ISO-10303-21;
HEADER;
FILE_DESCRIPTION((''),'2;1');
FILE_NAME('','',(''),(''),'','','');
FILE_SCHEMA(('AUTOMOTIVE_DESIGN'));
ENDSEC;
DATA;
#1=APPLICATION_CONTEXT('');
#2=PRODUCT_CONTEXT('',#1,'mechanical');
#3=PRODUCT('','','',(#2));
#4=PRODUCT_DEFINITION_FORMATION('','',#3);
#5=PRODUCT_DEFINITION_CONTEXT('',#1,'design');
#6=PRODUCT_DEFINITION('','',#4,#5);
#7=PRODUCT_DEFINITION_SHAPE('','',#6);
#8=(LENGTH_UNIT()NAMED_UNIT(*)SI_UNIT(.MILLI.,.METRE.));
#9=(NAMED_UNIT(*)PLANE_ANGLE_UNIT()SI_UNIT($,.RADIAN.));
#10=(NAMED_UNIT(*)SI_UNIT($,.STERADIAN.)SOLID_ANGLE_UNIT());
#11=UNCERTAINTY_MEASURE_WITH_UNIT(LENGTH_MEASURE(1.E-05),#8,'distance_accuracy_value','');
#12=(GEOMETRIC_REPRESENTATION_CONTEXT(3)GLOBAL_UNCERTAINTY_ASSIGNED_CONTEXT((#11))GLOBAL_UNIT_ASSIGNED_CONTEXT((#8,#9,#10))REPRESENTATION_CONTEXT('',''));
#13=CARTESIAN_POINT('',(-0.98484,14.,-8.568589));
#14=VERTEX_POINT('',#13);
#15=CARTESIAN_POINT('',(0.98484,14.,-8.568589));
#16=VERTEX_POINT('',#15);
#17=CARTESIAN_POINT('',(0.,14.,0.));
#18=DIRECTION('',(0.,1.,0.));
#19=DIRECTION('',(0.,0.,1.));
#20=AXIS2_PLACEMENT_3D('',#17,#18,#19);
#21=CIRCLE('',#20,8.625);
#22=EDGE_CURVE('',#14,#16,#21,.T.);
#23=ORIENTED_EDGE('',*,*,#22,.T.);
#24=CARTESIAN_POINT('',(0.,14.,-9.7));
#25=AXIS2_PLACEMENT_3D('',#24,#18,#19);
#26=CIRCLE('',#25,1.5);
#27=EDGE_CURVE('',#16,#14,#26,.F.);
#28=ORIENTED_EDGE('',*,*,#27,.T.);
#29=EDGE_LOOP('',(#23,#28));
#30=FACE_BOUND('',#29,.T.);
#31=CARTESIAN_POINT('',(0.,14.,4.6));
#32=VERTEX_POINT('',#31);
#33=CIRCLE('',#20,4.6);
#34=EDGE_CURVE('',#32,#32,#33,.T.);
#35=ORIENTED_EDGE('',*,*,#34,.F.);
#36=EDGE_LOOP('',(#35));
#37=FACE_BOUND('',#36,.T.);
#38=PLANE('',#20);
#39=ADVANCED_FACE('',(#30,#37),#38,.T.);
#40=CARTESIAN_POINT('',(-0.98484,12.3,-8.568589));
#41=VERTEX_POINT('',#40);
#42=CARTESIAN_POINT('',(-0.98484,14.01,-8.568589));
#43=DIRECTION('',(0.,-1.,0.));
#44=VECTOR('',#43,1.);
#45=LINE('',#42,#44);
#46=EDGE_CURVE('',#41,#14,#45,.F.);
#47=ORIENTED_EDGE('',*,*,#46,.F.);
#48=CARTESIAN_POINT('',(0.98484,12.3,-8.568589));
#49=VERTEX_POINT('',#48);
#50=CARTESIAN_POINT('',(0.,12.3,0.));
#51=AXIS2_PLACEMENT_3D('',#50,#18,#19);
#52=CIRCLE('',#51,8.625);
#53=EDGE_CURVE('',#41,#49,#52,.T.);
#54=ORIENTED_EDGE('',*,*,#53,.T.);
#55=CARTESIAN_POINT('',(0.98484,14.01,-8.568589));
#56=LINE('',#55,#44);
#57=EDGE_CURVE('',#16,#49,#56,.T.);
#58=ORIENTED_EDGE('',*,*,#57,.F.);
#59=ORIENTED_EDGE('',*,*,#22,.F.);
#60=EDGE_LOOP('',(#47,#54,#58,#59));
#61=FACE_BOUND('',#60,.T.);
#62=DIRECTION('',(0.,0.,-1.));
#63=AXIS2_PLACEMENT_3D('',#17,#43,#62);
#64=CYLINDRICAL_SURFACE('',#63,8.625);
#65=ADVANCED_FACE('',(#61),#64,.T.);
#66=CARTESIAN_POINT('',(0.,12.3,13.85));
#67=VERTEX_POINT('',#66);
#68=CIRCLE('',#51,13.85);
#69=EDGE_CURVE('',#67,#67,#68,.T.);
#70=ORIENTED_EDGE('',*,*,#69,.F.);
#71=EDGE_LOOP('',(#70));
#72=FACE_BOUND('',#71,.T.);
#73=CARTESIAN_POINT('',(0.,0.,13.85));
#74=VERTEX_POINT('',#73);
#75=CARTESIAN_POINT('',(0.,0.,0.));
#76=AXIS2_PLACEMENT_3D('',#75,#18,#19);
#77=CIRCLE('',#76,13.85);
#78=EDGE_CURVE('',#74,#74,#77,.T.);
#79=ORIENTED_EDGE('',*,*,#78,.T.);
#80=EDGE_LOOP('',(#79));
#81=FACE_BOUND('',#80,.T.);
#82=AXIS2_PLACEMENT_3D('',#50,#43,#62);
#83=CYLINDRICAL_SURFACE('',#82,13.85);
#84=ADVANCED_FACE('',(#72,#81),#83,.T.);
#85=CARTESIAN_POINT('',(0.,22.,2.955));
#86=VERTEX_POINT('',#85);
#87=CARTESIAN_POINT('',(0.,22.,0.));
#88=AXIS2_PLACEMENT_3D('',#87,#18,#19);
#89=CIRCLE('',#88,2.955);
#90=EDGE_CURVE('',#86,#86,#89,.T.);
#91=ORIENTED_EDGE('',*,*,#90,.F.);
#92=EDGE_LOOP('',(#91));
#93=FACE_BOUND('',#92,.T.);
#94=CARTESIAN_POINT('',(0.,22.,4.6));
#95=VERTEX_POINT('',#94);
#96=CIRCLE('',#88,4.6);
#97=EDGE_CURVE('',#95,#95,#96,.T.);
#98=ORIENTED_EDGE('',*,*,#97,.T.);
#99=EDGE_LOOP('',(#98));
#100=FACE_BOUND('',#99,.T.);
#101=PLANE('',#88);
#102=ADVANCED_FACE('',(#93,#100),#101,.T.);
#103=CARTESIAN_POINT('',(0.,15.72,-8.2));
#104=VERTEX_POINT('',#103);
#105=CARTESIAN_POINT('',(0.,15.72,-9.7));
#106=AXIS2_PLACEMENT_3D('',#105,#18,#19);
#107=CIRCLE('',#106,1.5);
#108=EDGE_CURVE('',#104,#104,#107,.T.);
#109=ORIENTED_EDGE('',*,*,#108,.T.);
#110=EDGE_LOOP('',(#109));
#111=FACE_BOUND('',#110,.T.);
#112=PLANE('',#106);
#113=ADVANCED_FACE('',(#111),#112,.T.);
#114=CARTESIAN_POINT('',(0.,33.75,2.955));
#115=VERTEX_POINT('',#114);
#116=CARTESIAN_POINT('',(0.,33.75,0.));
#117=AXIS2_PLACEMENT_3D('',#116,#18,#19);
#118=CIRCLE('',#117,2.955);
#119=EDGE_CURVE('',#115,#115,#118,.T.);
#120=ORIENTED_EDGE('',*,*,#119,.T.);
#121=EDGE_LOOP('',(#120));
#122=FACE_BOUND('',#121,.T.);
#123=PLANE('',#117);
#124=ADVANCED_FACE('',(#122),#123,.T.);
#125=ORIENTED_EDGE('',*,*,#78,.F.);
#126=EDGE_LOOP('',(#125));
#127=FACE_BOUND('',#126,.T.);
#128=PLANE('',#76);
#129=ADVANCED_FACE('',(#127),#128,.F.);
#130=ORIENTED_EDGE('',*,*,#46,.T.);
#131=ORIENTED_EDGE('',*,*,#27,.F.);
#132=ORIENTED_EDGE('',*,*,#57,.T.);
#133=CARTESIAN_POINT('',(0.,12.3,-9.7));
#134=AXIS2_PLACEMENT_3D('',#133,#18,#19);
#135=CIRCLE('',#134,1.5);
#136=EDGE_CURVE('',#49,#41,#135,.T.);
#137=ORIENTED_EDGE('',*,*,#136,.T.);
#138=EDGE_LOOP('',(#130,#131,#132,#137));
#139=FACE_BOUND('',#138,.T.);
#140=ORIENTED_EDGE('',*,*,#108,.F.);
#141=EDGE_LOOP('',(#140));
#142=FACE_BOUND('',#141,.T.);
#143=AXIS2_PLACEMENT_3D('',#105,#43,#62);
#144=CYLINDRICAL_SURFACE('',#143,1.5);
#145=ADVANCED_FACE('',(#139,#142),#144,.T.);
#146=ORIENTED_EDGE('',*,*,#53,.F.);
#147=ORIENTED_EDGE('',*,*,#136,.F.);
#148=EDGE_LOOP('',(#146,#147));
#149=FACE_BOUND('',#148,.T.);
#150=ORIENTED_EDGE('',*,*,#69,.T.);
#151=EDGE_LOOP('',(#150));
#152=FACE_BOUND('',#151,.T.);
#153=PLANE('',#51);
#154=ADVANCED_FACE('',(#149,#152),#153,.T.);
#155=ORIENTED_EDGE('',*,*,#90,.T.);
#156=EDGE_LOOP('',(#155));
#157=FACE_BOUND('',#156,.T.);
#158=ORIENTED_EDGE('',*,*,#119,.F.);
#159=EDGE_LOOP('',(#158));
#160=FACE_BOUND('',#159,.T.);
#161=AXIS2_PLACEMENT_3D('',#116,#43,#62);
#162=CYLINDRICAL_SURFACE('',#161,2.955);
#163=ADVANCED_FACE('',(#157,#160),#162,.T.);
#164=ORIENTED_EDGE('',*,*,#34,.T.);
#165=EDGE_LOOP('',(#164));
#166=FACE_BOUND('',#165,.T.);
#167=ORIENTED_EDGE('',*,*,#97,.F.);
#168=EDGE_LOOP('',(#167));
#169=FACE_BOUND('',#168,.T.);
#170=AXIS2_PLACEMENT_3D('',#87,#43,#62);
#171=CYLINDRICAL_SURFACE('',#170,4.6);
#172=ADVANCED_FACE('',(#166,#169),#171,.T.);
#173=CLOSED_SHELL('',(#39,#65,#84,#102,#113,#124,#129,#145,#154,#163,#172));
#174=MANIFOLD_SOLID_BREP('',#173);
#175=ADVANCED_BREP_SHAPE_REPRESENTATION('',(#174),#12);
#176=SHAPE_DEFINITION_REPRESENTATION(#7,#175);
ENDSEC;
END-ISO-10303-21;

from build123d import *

# Parameters (mm, degrees)
SKETCH1_R           = 13.85
BOSS_EXTRUDE1_DEPTH = 12.3
SKETCH2_R           = 8.625
BOSS_EXTRUDE2_DEPTH = 1.7
SKETCH3_R           = 4.6
BOSS_EXTRUDE3_DEPTH = 8
SKETCH4_R           = 2.955
BOSS_EXTRUDE4_DEPTH = 11.75
SKETCH5_R           = 1.5
BOSS_EXTRUDE5_DEPTH = 3.42


with BuildPart() as part:
    # Sketch1 → Boss-Extrude1 (new body)
    with BuildSketch(Plane(origin=(0, 0, 0), x_dir=(1, 0, 0), z_dir=(0, 1, 0))):
        with Locations(Location((0, 0, 0), (0, 0, 270))):
            Circle(SKETCH1_R)
    extrude(amount=BOSS_EXTRUDE1_DEPTH)

    # Sketch2 → Boss-Extrude2 (add)
    with BuildSketch(Plane(origin=(0, 12.3, 0), x_dir=(1, 0, 0), z_dir=(0, 1, 0))):
        with Locations(Location((0, 0, 0), (0, 0, 270))):
            Circle(SKETCH2_R)
    extrude(amount=BOSS_EXTRUDE2_DEPTH)

    # Sketch3 → Boss-Extrude3 (add)
    with BuildSketch(Plane(origin=(0, 14, 0), x_dir=(1, 0, 0), z_dir=(0, 1, 0))):
        with Locations(Location((0, 0, 0), (0, 0, 270))):
            Circle(SKETCH3_R)
    extrude(amount=BOSS_EXTRUDE3_DEPTH)

    # Sketch4 → Boss-Extrude4 (add)
    with BuildSketch(Plane(origin=(0, 22, 0), x_dir=(1, 0, 0), z_dir=(0, 1, 0))):
        with Locations(Location((0, 0, 0), (0, 0, 270))):
            Circle(SKETCH4_R)
    extrude(amount=BOSS_EXTRUDE4_DEPTH)

    # Sketch5 → Boss-Extrude5 (add)
    with BuildSketch(Plane(origin=(0, 12.3, 0), x_dir=(1, 0, 0), z_dir=(0, 1, 0))):
        with Locations(Location((0, 9.7, 0), (0, 0, 228.961978667))):
            Circle(SKETCH5_R)
    extrude(amount=BOSS_EXTRUDE5_DEPTH)


solid = part.part
